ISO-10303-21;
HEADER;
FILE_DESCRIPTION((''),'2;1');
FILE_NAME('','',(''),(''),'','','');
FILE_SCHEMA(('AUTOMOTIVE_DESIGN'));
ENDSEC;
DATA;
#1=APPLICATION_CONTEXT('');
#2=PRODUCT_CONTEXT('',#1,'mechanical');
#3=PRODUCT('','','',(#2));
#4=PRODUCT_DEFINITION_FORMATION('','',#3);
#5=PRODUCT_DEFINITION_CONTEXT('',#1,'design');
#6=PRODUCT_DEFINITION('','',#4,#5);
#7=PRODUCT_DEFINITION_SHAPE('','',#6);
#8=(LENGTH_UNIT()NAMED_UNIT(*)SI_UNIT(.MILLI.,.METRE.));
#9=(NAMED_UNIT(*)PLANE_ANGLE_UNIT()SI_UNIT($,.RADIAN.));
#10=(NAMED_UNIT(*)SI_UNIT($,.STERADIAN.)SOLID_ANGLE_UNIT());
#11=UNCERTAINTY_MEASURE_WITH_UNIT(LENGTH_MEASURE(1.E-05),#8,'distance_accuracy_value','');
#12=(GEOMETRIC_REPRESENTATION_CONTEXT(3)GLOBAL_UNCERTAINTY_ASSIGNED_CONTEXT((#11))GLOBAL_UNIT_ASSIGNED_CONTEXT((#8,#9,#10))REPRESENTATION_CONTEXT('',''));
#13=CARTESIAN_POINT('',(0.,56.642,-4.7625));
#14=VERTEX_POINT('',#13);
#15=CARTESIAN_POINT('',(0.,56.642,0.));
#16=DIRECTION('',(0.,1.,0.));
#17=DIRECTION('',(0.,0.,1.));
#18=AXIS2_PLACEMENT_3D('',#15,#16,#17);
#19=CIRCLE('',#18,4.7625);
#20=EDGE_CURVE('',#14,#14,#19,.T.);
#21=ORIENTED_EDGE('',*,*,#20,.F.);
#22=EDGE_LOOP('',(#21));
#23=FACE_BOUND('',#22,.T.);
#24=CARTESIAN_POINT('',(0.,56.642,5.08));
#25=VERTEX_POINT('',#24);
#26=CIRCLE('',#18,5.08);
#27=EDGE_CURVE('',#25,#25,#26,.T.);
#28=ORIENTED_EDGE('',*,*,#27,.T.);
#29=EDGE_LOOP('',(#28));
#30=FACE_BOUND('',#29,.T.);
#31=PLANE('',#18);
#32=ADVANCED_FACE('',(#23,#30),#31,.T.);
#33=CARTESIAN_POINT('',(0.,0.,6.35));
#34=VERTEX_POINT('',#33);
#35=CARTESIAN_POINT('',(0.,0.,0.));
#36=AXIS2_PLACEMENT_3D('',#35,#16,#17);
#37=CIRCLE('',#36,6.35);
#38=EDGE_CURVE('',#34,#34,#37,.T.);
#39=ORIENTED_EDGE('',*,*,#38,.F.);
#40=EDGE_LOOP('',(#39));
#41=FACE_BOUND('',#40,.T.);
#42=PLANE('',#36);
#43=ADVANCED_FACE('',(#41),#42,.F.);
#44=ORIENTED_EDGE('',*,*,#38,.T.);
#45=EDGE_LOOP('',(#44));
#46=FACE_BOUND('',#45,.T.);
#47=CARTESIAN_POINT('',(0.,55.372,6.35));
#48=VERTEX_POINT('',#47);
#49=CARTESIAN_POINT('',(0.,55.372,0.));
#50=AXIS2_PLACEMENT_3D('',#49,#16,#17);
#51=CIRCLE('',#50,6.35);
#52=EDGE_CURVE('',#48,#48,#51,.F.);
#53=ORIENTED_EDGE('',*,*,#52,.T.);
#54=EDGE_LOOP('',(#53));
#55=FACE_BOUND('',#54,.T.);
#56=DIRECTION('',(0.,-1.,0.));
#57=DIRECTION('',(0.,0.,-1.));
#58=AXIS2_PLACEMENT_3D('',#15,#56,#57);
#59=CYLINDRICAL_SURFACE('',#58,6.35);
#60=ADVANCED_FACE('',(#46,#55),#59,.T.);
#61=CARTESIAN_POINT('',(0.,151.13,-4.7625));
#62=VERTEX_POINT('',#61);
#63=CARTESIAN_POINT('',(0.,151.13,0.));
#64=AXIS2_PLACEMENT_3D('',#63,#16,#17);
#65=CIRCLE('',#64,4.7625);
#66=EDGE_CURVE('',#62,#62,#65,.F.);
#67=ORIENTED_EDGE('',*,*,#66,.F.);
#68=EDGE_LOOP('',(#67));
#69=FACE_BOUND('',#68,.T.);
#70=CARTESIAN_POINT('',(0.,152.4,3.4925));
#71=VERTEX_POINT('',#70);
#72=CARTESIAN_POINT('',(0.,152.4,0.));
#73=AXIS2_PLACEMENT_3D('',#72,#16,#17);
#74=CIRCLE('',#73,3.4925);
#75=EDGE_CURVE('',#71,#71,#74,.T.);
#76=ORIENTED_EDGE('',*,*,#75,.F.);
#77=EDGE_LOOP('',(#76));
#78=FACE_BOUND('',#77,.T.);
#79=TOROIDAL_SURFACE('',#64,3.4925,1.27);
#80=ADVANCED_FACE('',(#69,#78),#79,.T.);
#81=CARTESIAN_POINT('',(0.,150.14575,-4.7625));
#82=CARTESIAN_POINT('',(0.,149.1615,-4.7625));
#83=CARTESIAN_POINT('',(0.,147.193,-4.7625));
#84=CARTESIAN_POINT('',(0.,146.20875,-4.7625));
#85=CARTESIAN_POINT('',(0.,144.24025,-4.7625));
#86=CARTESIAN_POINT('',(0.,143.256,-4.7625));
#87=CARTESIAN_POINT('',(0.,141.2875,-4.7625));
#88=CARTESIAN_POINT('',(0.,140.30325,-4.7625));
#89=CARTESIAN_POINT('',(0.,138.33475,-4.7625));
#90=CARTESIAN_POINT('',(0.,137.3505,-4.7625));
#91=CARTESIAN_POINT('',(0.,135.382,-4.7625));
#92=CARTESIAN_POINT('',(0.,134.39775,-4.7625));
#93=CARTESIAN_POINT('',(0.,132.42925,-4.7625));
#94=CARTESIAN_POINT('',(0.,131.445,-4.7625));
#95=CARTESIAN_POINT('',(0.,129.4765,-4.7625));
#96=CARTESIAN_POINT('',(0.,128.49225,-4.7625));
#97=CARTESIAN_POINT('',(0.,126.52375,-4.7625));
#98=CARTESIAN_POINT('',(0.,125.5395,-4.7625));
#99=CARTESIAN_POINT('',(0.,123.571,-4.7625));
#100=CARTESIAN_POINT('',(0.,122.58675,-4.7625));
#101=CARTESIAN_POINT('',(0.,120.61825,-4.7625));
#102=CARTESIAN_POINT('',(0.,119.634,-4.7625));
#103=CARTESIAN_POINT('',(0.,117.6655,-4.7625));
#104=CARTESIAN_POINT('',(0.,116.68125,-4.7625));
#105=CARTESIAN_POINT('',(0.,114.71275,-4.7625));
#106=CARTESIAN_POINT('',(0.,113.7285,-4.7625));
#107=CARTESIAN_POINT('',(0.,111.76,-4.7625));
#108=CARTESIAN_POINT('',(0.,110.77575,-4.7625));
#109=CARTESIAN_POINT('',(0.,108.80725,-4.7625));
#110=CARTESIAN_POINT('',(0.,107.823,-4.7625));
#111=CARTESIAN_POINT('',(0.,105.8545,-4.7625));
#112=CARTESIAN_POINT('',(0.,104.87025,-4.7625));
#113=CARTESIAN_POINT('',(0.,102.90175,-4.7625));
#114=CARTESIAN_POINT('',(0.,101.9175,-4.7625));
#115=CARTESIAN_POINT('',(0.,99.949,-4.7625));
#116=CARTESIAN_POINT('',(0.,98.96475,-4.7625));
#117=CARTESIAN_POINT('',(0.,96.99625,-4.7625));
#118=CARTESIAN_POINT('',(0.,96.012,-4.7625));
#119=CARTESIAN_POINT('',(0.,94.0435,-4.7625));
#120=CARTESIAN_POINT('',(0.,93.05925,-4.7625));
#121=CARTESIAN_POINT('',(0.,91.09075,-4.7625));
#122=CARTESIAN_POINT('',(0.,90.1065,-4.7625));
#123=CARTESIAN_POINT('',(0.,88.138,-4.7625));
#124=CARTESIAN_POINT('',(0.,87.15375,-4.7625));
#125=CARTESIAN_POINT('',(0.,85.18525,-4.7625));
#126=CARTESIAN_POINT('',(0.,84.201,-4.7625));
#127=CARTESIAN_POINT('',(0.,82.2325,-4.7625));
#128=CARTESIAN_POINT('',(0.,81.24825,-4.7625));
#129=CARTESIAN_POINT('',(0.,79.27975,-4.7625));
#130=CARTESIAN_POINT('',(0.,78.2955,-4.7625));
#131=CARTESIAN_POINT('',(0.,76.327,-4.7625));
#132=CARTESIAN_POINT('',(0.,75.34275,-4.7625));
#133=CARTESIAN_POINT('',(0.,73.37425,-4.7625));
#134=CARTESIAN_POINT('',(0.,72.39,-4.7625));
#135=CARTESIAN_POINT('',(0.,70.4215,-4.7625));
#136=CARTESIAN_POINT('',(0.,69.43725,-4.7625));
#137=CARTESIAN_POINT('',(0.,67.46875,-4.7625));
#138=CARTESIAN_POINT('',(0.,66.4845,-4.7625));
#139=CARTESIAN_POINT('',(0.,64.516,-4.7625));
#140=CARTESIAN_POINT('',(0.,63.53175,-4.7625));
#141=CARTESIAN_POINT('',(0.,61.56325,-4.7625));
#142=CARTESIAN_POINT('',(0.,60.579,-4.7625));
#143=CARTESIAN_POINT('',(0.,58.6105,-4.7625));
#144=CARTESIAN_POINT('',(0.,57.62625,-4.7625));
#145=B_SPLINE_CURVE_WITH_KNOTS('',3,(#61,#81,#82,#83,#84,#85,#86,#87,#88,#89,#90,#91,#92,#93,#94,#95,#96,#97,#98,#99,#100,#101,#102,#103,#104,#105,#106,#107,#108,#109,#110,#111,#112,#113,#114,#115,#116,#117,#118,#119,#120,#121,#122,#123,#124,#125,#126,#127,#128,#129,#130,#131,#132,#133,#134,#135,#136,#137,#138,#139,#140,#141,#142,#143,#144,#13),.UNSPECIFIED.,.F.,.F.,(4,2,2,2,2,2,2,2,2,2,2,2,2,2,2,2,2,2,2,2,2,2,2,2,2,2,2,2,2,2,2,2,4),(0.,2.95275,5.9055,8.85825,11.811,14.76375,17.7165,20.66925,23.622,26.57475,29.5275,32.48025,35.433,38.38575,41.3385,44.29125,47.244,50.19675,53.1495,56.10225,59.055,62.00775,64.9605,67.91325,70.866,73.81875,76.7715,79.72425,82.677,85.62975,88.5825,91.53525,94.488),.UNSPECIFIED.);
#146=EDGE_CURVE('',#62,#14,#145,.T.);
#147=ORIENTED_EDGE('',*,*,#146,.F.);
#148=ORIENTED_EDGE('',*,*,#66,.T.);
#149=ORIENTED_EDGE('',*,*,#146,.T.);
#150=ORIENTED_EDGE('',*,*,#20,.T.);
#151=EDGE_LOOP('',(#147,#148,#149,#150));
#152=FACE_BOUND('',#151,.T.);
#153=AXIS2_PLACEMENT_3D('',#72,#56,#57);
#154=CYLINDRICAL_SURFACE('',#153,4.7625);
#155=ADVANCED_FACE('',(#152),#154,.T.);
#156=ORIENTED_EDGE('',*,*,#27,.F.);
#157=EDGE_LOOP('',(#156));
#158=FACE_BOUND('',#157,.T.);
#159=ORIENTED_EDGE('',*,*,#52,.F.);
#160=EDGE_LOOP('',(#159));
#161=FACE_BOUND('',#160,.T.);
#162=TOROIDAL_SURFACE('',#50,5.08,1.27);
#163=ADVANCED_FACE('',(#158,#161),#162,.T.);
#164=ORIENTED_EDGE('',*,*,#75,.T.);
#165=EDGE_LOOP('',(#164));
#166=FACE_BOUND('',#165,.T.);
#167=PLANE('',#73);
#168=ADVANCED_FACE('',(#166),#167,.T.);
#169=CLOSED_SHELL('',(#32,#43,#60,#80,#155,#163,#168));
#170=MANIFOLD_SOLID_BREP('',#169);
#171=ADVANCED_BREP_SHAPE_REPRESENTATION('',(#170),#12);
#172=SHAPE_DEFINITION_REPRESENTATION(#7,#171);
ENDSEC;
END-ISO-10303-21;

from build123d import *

# Parameters (mm, degrees)
SKETCH1_R           = 6.35
SKETCH1_R_2         = 4.7625
BOSS_EXTRUDE1_DEPTH = 56.642
SKETCH1_3_R         = 4.7625
BOSS_EXTRUDE2_DEPTH = 152.4
FILLET1_R           = 1.27


with BuildPart() as part:
    # Sketch1 → Boss-Extrude1 (new body)
    with BuildSketch(Plane(origin=(0, 0, 0), x_dir=(1, 0, 0), z_dir=(0, 1, 0))):
        Circle(SKETCH1_R)
        Circle(SKETCH1_R_2, mode=Mode.SUBTRACT)
    extrude(amount=BOSS_EXTRUDE1_DEPTH)

    # Sketch1<3> → Boss-Extrude2 (add)
    with BuildSketch(Plane(origin=(0, 0, 0), x_dir=(1, 0, 0), z_dir=(0, 1, 0))):
        Circle(SKETCH1_3_R)
    extrude(amount=BOSS_EXTRUDE2_DEPTH)

    # Fillet1
    fillet1_edges = [part.edges().sort_by_distance(p)[0] for p in [
        (-6.35, 56.642, 0),
        (-4.7625, 152.4, 0),
    ]]
    fillet(fillet1_edges, radius=FILLET1_R)


solid = part.part
